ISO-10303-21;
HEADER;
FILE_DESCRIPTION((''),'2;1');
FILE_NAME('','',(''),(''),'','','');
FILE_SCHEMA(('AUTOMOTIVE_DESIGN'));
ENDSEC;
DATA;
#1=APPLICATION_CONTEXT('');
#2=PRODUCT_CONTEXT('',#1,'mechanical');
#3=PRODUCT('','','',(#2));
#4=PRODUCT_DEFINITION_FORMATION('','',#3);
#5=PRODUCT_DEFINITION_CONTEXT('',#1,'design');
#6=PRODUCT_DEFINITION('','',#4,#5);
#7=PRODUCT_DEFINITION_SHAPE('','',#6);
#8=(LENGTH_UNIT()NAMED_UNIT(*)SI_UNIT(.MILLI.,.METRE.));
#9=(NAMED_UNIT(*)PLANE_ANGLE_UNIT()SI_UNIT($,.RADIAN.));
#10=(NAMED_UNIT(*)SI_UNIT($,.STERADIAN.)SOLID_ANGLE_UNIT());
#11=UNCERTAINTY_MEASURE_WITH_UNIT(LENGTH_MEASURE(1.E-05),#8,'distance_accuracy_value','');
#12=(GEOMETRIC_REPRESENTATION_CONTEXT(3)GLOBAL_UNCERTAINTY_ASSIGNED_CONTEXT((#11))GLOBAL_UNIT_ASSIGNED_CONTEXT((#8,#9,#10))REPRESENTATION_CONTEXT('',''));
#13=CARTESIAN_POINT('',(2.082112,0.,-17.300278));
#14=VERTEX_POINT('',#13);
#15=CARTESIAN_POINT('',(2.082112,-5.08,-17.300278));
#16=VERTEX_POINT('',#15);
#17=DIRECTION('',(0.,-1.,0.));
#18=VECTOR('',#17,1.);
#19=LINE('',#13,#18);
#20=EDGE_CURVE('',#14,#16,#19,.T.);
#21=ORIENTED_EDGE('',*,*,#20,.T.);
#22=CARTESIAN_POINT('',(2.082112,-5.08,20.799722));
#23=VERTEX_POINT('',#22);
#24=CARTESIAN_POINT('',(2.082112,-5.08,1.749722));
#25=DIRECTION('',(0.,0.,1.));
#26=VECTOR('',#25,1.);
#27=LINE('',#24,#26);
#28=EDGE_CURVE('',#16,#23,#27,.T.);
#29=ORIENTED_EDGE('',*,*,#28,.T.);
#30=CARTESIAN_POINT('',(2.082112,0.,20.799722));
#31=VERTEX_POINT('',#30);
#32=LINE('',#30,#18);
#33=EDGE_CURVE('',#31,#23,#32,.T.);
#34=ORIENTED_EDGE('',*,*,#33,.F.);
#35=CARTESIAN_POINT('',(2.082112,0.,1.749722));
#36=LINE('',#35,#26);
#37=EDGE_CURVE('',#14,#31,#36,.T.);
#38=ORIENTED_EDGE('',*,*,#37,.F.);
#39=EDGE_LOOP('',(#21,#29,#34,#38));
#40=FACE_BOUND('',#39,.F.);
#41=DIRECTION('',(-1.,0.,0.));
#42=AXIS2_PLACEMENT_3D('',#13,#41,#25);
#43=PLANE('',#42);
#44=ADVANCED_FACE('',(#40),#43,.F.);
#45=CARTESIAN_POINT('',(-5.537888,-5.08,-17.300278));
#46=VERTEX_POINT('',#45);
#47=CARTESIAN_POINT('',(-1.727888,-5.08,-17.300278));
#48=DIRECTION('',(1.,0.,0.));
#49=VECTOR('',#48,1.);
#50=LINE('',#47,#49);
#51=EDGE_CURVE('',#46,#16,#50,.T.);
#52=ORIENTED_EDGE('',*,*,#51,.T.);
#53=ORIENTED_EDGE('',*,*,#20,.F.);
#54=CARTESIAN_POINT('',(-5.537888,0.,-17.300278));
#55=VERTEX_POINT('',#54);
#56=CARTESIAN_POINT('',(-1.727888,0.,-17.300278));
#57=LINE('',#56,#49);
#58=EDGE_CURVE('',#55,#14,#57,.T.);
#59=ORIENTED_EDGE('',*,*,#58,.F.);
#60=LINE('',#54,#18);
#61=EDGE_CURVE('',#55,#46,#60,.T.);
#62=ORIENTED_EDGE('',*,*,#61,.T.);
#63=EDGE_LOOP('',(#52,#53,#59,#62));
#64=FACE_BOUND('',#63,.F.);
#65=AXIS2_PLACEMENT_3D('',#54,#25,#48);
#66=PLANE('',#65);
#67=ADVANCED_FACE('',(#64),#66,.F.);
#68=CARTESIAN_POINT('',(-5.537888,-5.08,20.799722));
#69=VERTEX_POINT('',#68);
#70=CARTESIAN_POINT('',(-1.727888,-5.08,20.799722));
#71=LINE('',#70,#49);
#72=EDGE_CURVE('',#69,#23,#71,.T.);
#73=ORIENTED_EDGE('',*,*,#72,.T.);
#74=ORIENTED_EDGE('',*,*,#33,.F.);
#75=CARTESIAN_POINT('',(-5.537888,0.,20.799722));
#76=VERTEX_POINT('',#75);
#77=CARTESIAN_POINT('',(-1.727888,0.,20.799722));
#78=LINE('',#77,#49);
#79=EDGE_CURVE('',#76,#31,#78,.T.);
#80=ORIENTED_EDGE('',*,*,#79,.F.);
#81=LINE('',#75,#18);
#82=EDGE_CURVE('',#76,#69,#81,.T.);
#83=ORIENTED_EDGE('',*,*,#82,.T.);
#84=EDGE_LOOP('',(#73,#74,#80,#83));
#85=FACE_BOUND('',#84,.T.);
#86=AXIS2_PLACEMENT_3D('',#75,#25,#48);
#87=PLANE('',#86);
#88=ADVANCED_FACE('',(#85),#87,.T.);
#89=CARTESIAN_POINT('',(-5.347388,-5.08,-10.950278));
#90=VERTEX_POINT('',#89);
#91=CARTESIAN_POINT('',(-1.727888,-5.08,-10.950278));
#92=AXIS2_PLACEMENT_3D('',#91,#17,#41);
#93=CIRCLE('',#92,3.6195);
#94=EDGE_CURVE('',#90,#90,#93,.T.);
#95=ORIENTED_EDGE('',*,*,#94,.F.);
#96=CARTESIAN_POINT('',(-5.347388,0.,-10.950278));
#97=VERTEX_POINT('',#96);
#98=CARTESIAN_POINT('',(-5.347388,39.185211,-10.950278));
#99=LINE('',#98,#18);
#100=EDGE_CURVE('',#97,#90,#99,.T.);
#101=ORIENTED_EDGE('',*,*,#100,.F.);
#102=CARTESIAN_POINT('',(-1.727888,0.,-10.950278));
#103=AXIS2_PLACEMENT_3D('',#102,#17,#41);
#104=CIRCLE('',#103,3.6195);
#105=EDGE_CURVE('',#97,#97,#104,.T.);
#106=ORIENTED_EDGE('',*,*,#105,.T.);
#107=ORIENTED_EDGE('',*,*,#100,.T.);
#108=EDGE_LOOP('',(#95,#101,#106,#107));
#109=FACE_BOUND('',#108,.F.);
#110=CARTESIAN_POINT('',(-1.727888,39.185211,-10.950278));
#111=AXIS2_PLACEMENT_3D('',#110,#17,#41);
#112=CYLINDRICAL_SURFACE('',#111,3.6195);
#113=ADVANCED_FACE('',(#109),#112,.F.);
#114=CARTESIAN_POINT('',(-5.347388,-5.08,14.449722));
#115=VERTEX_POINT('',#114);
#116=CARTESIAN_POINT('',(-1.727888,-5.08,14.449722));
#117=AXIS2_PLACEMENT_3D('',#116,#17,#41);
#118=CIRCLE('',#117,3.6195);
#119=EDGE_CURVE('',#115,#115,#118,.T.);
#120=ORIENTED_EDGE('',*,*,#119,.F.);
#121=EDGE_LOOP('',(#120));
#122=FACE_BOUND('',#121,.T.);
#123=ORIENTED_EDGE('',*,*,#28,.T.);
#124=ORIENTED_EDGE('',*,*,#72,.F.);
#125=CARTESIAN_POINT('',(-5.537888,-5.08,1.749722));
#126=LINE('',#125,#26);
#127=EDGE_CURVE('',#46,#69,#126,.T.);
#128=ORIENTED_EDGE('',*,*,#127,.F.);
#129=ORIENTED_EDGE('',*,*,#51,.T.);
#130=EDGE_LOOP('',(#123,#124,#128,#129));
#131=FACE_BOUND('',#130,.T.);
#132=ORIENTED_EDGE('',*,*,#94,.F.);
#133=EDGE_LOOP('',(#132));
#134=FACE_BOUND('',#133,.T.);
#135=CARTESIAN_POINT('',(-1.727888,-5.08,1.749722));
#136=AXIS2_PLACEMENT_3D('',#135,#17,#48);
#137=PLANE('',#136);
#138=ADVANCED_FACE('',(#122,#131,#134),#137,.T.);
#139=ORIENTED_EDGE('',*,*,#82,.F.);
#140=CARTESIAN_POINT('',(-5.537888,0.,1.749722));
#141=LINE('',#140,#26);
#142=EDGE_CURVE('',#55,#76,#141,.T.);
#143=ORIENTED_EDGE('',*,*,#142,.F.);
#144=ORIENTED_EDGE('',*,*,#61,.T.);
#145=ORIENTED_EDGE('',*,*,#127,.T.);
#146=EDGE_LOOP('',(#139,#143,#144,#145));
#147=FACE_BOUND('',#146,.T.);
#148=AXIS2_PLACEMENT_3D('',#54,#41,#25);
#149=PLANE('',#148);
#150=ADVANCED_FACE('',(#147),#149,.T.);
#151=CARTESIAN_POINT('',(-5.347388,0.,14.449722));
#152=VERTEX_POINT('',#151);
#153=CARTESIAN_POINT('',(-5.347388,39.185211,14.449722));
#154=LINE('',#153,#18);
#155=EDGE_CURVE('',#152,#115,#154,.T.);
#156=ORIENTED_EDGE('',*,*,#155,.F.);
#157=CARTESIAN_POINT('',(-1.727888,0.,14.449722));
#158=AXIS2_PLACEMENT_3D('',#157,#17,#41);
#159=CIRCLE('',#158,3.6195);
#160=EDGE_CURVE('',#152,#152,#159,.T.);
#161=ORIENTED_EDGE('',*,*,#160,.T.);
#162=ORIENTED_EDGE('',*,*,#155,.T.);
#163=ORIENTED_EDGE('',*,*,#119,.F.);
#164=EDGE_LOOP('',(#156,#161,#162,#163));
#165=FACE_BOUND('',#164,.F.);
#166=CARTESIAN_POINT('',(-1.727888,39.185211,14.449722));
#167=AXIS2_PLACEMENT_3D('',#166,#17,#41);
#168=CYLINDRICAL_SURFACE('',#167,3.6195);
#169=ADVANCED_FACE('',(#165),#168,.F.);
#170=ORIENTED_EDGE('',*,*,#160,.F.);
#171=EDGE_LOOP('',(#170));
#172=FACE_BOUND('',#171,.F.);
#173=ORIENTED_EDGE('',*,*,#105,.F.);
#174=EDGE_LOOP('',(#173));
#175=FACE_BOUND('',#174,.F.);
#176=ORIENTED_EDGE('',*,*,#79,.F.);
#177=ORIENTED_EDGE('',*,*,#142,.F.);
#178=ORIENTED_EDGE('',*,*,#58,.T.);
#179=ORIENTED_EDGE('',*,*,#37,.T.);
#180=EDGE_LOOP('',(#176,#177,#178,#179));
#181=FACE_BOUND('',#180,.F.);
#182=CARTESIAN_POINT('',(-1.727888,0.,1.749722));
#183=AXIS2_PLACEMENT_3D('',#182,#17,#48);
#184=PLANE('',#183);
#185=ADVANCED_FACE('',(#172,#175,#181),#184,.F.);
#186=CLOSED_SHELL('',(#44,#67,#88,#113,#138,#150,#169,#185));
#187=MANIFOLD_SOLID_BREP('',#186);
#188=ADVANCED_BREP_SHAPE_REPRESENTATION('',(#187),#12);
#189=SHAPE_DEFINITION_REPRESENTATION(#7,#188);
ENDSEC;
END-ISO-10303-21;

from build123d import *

# Parameters (mm, degrees)
F0_W     = 7.62
F0_H     = 38.1
F1_DEPTH = 5.08
F3_D     = 7.239


with BuildPart() as f1:
    # F0 (on Front) → F1 (new body)
    with BuildSketch(Plane.XZ):
        with Locations((-1.7278877908, 1.7497222871)):
            Rectangle(F0_W, F0_H)
    extrude(amount=F1_DEPTH)

    # F3 (through all)
    with Locations(Plane(origin=(0, 0, 0), x_dir=(1, 0, 0), z_dir=(0, 1, 0))):
        with Locations((-1.7278877908, -14.4497222871), (-1.7278877908, 10.9502777129)):
            Hole(F3_D / 2)


solid = f1.part
